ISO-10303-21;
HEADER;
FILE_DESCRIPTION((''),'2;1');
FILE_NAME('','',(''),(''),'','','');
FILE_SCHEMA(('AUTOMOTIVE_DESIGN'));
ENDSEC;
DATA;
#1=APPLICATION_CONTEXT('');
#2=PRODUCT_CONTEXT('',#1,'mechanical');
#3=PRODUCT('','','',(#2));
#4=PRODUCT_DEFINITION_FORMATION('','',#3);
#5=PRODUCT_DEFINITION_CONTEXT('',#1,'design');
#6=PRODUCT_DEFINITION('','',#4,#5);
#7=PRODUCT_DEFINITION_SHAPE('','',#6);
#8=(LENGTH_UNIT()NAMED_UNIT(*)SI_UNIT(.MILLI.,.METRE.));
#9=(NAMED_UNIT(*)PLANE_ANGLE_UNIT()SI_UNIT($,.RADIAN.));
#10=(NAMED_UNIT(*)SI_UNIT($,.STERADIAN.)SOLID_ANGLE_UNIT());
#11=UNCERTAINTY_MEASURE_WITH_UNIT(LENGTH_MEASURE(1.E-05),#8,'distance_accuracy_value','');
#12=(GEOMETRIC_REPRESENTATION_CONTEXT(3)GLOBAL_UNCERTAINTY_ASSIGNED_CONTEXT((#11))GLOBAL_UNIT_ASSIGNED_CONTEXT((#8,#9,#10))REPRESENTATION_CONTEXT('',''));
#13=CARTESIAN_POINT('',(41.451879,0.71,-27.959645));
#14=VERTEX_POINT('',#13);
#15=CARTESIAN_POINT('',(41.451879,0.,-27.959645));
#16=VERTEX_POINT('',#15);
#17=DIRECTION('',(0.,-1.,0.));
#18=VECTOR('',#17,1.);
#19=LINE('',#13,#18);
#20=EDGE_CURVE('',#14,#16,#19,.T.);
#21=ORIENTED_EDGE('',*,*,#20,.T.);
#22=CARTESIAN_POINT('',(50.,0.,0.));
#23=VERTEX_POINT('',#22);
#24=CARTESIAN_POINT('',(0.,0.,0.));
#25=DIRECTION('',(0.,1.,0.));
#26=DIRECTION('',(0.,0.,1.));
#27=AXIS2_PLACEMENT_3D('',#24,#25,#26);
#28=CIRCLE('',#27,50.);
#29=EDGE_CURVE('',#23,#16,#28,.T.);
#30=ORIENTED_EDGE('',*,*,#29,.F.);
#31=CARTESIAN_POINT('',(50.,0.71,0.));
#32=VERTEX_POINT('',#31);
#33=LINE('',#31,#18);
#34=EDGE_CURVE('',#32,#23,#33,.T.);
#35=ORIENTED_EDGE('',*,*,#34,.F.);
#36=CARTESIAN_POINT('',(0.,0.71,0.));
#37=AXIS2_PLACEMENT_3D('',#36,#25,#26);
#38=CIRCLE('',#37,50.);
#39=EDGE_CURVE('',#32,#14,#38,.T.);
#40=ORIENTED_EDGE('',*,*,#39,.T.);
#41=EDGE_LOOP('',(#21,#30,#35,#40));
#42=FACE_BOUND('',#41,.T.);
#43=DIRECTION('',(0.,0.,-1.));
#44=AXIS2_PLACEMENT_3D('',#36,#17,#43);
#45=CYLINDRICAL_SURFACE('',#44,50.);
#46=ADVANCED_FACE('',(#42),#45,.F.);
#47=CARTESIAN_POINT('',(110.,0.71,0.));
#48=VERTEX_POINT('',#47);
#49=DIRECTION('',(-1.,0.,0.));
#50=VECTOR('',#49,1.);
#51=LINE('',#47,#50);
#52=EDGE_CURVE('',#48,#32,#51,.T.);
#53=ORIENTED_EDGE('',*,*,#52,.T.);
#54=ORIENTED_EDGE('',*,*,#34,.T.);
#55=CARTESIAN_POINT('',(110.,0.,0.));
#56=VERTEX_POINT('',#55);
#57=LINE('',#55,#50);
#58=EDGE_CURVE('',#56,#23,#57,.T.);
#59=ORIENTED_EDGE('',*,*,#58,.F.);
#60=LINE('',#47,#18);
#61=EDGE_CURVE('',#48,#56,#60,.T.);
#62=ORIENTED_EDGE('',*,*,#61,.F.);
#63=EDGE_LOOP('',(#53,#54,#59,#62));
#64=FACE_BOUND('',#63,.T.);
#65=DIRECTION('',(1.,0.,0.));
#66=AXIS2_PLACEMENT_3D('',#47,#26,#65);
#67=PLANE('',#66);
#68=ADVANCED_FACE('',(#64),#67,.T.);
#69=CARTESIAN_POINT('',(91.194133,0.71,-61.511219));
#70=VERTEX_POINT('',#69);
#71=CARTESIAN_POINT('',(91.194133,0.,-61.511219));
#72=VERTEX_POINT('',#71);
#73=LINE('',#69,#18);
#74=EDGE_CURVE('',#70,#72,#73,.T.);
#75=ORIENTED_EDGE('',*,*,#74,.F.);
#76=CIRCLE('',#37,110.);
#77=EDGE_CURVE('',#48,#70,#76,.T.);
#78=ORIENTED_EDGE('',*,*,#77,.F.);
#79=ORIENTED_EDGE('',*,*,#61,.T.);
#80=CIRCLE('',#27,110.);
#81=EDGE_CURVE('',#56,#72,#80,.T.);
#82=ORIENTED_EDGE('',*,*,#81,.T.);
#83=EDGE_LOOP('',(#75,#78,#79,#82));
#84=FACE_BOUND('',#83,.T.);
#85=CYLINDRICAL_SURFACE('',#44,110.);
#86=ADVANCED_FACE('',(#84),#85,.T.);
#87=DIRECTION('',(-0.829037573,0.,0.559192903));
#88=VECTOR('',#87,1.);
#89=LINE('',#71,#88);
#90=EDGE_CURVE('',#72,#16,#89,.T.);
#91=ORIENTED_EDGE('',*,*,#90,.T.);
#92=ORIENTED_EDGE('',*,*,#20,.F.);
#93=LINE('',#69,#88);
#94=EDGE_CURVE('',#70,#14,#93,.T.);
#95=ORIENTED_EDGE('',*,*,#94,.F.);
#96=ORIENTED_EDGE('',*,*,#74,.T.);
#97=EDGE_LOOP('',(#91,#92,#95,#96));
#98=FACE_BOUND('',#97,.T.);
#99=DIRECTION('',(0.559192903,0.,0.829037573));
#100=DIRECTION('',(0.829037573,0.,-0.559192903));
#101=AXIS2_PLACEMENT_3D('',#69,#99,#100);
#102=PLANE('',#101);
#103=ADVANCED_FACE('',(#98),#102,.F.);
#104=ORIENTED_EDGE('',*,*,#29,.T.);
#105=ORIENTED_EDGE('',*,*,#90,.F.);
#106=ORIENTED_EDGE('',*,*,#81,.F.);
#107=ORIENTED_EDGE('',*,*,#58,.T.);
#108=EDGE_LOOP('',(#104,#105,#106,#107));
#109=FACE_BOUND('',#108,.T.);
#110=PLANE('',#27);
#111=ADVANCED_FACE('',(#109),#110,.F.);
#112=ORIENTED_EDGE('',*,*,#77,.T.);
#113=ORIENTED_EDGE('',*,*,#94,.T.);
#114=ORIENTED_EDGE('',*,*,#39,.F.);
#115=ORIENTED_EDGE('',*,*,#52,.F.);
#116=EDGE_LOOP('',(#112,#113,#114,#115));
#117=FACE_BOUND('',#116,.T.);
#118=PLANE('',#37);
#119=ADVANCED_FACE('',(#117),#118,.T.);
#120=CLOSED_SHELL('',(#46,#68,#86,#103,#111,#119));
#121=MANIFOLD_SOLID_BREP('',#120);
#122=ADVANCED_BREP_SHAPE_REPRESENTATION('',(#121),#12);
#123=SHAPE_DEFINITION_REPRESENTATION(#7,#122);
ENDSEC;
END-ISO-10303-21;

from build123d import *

# Parameters (mm, degrees)
EXTRUDE_1_DEPTH = 0.71


with BuildPart() as part:
    # 草图1 → 凸台-拉伸1 (new body)
    with BuildSketch(Plane(origin=(0, 0, 0), x_dir=(1, 0, 0), z_dir=(0, 1, 0))):
        with BuildLine():
            Line((91.194132981, 61.511219382), (41.451878628, 27.959645174))
            ThreePointArc((41.451878628, 27.959645174), (47.815237798, 14.618585236), (50, 0))
            Line((50, 0), (110, 0))
            ThreePointArc((110, 0), (105.193523156, 32.16088752), (91.194132981, 61.511219382))
        make_face()
    extrude(amount=EXTRUDE_1_DEPTH)


solid = part.part
